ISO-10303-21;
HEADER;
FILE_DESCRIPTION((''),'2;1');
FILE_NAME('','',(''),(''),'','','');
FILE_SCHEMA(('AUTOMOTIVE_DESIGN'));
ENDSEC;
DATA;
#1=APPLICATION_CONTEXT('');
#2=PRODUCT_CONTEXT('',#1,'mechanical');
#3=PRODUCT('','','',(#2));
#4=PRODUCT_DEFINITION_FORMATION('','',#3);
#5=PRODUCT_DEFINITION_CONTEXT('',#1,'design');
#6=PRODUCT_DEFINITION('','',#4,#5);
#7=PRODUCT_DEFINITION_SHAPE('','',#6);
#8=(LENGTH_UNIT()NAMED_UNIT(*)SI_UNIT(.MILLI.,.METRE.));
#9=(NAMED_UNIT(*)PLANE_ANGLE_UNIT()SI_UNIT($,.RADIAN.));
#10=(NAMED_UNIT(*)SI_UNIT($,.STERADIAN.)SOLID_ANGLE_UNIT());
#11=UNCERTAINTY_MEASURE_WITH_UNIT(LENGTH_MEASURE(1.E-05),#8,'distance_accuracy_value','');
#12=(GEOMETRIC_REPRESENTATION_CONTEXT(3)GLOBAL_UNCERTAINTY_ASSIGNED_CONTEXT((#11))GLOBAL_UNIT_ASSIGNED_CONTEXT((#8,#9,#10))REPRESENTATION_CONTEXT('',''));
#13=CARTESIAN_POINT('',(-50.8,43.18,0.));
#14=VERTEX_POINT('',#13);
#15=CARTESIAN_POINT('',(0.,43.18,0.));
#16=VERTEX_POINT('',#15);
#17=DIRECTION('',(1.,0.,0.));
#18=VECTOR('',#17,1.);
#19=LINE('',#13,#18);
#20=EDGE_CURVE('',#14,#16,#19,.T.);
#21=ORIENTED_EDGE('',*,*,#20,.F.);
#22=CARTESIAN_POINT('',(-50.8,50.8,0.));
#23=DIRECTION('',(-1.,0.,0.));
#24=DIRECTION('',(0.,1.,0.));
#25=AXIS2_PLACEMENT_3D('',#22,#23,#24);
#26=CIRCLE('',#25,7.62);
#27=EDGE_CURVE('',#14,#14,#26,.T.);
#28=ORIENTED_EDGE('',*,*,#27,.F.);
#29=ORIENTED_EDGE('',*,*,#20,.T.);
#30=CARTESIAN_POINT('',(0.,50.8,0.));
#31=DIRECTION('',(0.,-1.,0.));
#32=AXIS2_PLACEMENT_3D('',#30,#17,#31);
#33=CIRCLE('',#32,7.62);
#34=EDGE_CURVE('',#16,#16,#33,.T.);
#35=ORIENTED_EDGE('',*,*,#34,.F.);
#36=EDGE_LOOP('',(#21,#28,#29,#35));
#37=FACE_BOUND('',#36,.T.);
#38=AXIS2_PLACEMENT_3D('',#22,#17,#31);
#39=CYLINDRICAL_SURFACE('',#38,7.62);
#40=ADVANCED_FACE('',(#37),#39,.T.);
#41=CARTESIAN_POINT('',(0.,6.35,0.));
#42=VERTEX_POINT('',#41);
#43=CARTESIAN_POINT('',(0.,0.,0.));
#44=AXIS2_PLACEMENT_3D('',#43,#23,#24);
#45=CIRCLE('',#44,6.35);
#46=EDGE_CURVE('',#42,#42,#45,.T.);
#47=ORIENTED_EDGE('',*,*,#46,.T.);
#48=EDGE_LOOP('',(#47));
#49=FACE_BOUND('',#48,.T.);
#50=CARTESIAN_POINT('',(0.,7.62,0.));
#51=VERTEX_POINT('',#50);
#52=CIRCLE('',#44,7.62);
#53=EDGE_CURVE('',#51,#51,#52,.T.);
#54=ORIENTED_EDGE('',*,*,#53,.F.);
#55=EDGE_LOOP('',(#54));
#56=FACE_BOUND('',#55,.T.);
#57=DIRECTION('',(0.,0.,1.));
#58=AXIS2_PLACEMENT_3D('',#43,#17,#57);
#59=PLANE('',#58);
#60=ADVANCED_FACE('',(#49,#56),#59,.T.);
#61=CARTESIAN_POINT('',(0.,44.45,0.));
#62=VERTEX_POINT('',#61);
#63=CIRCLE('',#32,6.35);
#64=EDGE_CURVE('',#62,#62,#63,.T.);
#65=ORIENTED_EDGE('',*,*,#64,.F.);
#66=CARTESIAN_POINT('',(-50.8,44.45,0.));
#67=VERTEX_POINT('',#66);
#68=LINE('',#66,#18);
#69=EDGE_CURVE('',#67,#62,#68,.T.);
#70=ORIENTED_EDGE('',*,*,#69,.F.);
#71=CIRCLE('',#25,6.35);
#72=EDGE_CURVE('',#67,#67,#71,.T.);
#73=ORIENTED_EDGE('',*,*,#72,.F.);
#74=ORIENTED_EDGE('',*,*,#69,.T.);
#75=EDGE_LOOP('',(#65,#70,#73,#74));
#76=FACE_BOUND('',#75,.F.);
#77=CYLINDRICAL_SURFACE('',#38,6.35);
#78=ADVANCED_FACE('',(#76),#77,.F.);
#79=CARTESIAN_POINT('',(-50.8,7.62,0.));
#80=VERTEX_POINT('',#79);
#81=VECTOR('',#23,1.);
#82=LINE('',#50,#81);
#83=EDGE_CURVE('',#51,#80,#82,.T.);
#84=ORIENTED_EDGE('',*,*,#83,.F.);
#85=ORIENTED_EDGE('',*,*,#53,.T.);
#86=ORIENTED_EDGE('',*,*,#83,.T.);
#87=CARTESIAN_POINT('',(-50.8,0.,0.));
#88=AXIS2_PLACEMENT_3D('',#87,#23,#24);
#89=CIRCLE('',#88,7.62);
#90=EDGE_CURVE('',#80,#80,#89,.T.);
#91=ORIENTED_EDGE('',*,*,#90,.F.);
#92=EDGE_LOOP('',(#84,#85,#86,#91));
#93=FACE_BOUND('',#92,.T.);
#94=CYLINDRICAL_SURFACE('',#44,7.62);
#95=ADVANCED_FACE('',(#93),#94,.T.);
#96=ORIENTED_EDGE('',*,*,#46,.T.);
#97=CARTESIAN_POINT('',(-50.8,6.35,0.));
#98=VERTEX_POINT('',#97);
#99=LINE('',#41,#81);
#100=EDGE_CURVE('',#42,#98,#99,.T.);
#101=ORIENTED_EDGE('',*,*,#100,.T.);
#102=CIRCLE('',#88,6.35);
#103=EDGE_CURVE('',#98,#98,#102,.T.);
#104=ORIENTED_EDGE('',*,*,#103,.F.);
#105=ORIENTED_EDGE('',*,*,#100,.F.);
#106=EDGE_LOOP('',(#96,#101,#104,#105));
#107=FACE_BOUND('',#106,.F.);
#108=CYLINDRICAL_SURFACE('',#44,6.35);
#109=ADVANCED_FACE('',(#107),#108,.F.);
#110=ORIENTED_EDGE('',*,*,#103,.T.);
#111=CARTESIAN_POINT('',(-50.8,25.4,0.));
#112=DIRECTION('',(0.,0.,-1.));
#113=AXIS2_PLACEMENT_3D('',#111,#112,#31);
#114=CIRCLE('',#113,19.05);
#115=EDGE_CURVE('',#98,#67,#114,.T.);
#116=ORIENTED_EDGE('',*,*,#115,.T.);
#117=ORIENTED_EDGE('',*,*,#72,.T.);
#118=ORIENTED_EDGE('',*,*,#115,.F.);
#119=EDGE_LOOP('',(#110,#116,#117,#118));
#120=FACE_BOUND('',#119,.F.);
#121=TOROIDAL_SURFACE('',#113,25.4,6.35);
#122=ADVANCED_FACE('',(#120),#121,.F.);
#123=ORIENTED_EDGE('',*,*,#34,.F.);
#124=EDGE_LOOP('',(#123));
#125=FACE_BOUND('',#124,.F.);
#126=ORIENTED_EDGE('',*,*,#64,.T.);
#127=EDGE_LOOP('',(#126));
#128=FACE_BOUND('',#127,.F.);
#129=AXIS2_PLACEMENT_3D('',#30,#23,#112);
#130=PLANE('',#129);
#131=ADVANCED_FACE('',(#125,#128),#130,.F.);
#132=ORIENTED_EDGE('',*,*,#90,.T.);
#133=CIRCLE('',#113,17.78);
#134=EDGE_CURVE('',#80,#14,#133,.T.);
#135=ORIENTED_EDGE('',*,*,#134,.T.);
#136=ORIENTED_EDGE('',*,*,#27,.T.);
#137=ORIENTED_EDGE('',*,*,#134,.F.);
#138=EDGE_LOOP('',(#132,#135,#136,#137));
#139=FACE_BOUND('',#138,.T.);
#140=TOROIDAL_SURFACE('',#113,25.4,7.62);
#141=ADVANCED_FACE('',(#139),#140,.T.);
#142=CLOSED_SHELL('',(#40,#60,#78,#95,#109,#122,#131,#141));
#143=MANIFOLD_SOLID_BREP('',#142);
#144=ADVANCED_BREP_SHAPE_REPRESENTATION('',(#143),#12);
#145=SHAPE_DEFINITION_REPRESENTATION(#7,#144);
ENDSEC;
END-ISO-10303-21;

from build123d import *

# Parameters (mm, degrees)
F1_R   = 7.62
F1_R_2 = 6.35


with BuildPart() as f2:
    # F2: sweep along a path in F0
    with BuildLine(Plane.XY) as f2_path:
        Line((0, 0), (-50.8, 0))
        ThreePointArc((-50.8, 0), (-76.2, 25.4), (-50.8, 50.8))
        Line((-50.8, 50.8), (0, 50.8))
    # F1 (on Right) → F2 (sweep)
    with BuildSketch(Plane.YZ):
        Circle(F1_R)
        Circle(F1_R_2, mode=Mode.SUBTRACT)
    sweep(path=f2_path.line)


solid = f2.part
